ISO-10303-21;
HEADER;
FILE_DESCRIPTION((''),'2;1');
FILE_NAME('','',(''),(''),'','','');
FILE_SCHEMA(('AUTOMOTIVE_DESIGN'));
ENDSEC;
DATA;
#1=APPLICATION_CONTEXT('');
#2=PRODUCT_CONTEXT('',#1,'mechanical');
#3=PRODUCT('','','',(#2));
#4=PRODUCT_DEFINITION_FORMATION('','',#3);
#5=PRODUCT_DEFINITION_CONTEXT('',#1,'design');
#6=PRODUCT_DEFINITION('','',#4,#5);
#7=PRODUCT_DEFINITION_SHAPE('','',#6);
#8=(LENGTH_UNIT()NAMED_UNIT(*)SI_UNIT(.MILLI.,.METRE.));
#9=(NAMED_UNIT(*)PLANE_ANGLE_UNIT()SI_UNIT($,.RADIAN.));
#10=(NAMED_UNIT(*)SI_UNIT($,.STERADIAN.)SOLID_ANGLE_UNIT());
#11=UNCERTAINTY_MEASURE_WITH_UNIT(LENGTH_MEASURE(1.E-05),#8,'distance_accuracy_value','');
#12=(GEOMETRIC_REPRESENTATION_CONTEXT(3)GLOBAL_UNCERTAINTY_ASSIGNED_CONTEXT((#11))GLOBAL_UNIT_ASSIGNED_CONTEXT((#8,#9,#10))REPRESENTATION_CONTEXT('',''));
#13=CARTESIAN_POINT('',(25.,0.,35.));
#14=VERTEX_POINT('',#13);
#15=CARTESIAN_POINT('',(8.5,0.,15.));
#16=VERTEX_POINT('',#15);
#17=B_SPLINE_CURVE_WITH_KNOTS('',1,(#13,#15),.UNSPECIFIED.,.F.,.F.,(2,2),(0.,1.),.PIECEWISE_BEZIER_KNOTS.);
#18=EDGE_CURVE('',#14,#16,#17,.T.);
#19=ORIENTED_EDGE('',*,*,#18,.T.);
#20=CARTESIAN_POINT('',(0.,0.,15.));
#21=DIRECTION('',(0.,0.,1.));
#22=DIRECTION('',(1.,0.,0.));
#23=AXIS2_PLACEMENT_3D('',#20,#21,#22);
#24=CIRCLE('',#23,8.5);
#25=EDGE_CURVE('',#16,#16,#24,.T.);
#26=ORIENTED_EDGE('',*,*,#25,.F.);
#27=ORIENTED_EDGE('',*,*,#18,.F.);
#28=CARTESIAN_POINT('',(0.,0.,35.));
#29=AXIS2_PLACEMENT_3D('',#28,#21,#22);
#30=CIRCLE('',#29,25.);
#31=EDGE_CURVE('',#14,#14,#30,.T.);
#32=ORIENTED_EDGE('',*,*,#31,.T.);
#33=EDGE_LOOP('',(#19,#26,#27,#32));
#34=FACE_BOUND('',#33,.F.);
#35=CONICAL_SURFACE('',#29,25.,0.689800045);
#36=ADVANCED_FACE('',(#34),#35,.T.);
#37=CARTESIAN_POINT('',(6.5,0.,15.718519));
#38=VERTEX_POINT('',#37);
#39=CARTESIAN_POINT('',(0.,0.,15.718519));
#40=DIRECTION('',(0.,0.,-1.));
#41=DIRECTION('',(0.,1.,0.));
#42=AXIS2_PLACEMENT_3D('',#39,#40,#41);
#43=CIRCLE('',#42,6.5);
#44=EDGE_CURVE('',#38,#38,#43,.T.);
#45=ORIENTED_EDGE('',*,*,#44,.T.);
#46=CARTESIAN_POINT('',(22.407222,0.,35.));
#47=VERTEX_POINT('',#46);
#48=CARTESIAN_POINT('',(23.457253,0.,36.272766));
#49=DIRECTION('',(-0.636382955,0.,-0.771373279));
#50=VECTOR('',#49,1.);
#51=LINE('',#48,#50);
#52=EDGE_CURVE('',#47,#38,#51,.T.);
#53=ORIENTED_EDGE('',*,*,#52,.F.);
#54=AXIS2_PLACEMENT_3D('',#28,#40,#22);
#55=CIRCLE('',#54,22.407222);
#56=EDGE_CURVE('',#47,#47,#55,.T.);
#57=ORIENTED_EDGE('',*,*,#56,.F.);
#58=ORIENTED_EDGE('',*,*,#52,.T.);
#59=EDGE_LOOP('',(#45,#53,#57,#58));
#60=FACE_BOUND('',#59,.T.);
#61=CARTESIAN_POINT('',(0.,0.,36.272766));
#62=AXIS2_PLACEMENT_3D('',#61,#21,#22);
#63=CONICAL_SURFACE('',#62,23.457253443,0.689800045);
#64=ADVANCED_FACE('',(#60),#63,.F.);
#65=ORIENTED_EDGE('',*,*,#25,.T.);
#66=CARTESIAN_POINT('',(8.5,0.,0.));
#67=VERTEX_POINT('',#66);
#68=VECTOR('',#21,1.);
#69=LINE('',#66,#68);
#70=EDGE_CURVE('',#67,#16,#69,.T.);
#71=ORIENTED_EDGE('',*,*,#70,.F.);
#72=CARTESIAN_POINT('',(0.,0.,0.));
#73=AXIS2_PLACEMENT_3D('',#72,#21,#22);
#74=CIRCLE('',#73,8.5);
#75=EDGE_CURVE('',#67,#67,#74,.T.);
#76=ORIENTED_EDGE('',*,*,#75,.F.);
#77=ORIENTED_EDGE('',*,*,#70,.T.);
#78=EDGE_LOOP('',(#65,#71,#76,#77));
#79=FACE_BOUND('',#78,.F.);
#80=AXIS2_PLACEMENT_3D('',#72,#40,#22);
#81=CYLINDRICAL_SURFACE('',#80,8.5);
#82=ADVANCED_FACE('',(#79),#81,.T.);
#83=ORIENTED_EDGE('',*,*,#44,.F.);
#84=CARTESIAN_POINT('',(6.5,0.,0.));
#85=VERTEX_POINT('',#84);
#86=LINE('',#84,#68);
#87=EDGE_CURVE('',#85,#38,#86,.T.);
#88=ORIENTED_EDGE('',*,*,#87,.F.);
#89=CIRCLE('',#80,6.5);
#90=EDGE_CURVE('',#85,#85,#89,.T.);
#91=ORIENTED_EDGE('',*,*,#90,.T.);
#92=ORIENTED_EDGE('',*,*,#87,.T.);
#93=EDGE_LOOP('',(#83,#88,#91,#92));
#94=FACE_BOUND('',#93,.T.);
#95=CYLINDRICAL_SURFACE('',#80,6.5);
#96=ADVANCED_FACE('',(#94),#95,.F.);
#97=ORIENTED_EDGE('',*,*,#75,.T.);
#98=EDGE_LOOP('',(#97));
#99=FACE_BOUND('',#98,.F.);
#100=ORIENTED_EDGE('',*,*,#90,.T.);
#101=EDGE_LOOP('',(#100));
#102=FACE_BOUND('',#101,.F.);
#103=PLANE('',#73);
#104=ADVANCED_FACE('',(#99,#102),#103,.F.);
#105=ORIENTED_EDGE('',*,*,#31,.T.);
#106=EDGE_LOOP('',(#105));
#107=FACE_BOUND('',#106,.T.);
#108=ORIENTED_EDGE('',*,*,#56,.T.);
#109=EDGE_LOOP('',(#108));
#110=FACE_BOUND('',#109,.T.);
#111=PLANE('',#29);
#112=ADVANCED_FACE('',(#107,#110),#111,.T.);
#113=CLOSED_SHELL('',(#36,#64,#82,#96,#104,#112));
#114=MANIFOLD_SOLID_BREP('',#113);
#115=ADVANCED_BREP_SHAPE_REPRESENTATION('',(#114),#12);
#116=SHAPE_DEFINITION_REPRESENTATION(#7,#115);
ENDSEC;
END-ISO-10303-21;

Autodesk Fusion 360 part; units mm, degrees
sketch "Sketch1" plane through (0, 0, 0) normal (0, 0, 1) x (1, 0, 0)
  circle A0 centre (0, 0) radius 8.5
  dimension "d6" = 17
extrude "Extrude1" add sketch "Sketch1" along normal blind 15
ref_plane "WorkPlane1" through (0, 0, 35) normal (0, 0, 1) x (1, 0, 0)
sketch "Sketch2" plane through (0, 0, 35) normal (0, 0, 1) x (1, 0, 0)
  circle A0 centre (0, 0) radius 25
  dimension "d10" = 50
loft "Loft1" add profiles "Sketch2" section 1 section 2 face at (2.7075, 1.6235, 15)
shell "Shell1" thickness 2 removed faces 2 at (2.7075, 1.6235, 0) at (-6.7759, -1.242, 35)
equation "FH = 20 mm" comment "funnel height"
equation "TL = 15 mm" comment "Tube Length"
equation "WT = 2 mm" comment "Wall Thickness"
equation "LD = 50 mm" comment "Large Diameter"
equation "SD = 17 mm" comment "Small Diameter"
equation "d6 = SD"
equation "d7 = TL"
equation "d9 = FH"
equation "d10 = LD"
equation "d11 = WT"
